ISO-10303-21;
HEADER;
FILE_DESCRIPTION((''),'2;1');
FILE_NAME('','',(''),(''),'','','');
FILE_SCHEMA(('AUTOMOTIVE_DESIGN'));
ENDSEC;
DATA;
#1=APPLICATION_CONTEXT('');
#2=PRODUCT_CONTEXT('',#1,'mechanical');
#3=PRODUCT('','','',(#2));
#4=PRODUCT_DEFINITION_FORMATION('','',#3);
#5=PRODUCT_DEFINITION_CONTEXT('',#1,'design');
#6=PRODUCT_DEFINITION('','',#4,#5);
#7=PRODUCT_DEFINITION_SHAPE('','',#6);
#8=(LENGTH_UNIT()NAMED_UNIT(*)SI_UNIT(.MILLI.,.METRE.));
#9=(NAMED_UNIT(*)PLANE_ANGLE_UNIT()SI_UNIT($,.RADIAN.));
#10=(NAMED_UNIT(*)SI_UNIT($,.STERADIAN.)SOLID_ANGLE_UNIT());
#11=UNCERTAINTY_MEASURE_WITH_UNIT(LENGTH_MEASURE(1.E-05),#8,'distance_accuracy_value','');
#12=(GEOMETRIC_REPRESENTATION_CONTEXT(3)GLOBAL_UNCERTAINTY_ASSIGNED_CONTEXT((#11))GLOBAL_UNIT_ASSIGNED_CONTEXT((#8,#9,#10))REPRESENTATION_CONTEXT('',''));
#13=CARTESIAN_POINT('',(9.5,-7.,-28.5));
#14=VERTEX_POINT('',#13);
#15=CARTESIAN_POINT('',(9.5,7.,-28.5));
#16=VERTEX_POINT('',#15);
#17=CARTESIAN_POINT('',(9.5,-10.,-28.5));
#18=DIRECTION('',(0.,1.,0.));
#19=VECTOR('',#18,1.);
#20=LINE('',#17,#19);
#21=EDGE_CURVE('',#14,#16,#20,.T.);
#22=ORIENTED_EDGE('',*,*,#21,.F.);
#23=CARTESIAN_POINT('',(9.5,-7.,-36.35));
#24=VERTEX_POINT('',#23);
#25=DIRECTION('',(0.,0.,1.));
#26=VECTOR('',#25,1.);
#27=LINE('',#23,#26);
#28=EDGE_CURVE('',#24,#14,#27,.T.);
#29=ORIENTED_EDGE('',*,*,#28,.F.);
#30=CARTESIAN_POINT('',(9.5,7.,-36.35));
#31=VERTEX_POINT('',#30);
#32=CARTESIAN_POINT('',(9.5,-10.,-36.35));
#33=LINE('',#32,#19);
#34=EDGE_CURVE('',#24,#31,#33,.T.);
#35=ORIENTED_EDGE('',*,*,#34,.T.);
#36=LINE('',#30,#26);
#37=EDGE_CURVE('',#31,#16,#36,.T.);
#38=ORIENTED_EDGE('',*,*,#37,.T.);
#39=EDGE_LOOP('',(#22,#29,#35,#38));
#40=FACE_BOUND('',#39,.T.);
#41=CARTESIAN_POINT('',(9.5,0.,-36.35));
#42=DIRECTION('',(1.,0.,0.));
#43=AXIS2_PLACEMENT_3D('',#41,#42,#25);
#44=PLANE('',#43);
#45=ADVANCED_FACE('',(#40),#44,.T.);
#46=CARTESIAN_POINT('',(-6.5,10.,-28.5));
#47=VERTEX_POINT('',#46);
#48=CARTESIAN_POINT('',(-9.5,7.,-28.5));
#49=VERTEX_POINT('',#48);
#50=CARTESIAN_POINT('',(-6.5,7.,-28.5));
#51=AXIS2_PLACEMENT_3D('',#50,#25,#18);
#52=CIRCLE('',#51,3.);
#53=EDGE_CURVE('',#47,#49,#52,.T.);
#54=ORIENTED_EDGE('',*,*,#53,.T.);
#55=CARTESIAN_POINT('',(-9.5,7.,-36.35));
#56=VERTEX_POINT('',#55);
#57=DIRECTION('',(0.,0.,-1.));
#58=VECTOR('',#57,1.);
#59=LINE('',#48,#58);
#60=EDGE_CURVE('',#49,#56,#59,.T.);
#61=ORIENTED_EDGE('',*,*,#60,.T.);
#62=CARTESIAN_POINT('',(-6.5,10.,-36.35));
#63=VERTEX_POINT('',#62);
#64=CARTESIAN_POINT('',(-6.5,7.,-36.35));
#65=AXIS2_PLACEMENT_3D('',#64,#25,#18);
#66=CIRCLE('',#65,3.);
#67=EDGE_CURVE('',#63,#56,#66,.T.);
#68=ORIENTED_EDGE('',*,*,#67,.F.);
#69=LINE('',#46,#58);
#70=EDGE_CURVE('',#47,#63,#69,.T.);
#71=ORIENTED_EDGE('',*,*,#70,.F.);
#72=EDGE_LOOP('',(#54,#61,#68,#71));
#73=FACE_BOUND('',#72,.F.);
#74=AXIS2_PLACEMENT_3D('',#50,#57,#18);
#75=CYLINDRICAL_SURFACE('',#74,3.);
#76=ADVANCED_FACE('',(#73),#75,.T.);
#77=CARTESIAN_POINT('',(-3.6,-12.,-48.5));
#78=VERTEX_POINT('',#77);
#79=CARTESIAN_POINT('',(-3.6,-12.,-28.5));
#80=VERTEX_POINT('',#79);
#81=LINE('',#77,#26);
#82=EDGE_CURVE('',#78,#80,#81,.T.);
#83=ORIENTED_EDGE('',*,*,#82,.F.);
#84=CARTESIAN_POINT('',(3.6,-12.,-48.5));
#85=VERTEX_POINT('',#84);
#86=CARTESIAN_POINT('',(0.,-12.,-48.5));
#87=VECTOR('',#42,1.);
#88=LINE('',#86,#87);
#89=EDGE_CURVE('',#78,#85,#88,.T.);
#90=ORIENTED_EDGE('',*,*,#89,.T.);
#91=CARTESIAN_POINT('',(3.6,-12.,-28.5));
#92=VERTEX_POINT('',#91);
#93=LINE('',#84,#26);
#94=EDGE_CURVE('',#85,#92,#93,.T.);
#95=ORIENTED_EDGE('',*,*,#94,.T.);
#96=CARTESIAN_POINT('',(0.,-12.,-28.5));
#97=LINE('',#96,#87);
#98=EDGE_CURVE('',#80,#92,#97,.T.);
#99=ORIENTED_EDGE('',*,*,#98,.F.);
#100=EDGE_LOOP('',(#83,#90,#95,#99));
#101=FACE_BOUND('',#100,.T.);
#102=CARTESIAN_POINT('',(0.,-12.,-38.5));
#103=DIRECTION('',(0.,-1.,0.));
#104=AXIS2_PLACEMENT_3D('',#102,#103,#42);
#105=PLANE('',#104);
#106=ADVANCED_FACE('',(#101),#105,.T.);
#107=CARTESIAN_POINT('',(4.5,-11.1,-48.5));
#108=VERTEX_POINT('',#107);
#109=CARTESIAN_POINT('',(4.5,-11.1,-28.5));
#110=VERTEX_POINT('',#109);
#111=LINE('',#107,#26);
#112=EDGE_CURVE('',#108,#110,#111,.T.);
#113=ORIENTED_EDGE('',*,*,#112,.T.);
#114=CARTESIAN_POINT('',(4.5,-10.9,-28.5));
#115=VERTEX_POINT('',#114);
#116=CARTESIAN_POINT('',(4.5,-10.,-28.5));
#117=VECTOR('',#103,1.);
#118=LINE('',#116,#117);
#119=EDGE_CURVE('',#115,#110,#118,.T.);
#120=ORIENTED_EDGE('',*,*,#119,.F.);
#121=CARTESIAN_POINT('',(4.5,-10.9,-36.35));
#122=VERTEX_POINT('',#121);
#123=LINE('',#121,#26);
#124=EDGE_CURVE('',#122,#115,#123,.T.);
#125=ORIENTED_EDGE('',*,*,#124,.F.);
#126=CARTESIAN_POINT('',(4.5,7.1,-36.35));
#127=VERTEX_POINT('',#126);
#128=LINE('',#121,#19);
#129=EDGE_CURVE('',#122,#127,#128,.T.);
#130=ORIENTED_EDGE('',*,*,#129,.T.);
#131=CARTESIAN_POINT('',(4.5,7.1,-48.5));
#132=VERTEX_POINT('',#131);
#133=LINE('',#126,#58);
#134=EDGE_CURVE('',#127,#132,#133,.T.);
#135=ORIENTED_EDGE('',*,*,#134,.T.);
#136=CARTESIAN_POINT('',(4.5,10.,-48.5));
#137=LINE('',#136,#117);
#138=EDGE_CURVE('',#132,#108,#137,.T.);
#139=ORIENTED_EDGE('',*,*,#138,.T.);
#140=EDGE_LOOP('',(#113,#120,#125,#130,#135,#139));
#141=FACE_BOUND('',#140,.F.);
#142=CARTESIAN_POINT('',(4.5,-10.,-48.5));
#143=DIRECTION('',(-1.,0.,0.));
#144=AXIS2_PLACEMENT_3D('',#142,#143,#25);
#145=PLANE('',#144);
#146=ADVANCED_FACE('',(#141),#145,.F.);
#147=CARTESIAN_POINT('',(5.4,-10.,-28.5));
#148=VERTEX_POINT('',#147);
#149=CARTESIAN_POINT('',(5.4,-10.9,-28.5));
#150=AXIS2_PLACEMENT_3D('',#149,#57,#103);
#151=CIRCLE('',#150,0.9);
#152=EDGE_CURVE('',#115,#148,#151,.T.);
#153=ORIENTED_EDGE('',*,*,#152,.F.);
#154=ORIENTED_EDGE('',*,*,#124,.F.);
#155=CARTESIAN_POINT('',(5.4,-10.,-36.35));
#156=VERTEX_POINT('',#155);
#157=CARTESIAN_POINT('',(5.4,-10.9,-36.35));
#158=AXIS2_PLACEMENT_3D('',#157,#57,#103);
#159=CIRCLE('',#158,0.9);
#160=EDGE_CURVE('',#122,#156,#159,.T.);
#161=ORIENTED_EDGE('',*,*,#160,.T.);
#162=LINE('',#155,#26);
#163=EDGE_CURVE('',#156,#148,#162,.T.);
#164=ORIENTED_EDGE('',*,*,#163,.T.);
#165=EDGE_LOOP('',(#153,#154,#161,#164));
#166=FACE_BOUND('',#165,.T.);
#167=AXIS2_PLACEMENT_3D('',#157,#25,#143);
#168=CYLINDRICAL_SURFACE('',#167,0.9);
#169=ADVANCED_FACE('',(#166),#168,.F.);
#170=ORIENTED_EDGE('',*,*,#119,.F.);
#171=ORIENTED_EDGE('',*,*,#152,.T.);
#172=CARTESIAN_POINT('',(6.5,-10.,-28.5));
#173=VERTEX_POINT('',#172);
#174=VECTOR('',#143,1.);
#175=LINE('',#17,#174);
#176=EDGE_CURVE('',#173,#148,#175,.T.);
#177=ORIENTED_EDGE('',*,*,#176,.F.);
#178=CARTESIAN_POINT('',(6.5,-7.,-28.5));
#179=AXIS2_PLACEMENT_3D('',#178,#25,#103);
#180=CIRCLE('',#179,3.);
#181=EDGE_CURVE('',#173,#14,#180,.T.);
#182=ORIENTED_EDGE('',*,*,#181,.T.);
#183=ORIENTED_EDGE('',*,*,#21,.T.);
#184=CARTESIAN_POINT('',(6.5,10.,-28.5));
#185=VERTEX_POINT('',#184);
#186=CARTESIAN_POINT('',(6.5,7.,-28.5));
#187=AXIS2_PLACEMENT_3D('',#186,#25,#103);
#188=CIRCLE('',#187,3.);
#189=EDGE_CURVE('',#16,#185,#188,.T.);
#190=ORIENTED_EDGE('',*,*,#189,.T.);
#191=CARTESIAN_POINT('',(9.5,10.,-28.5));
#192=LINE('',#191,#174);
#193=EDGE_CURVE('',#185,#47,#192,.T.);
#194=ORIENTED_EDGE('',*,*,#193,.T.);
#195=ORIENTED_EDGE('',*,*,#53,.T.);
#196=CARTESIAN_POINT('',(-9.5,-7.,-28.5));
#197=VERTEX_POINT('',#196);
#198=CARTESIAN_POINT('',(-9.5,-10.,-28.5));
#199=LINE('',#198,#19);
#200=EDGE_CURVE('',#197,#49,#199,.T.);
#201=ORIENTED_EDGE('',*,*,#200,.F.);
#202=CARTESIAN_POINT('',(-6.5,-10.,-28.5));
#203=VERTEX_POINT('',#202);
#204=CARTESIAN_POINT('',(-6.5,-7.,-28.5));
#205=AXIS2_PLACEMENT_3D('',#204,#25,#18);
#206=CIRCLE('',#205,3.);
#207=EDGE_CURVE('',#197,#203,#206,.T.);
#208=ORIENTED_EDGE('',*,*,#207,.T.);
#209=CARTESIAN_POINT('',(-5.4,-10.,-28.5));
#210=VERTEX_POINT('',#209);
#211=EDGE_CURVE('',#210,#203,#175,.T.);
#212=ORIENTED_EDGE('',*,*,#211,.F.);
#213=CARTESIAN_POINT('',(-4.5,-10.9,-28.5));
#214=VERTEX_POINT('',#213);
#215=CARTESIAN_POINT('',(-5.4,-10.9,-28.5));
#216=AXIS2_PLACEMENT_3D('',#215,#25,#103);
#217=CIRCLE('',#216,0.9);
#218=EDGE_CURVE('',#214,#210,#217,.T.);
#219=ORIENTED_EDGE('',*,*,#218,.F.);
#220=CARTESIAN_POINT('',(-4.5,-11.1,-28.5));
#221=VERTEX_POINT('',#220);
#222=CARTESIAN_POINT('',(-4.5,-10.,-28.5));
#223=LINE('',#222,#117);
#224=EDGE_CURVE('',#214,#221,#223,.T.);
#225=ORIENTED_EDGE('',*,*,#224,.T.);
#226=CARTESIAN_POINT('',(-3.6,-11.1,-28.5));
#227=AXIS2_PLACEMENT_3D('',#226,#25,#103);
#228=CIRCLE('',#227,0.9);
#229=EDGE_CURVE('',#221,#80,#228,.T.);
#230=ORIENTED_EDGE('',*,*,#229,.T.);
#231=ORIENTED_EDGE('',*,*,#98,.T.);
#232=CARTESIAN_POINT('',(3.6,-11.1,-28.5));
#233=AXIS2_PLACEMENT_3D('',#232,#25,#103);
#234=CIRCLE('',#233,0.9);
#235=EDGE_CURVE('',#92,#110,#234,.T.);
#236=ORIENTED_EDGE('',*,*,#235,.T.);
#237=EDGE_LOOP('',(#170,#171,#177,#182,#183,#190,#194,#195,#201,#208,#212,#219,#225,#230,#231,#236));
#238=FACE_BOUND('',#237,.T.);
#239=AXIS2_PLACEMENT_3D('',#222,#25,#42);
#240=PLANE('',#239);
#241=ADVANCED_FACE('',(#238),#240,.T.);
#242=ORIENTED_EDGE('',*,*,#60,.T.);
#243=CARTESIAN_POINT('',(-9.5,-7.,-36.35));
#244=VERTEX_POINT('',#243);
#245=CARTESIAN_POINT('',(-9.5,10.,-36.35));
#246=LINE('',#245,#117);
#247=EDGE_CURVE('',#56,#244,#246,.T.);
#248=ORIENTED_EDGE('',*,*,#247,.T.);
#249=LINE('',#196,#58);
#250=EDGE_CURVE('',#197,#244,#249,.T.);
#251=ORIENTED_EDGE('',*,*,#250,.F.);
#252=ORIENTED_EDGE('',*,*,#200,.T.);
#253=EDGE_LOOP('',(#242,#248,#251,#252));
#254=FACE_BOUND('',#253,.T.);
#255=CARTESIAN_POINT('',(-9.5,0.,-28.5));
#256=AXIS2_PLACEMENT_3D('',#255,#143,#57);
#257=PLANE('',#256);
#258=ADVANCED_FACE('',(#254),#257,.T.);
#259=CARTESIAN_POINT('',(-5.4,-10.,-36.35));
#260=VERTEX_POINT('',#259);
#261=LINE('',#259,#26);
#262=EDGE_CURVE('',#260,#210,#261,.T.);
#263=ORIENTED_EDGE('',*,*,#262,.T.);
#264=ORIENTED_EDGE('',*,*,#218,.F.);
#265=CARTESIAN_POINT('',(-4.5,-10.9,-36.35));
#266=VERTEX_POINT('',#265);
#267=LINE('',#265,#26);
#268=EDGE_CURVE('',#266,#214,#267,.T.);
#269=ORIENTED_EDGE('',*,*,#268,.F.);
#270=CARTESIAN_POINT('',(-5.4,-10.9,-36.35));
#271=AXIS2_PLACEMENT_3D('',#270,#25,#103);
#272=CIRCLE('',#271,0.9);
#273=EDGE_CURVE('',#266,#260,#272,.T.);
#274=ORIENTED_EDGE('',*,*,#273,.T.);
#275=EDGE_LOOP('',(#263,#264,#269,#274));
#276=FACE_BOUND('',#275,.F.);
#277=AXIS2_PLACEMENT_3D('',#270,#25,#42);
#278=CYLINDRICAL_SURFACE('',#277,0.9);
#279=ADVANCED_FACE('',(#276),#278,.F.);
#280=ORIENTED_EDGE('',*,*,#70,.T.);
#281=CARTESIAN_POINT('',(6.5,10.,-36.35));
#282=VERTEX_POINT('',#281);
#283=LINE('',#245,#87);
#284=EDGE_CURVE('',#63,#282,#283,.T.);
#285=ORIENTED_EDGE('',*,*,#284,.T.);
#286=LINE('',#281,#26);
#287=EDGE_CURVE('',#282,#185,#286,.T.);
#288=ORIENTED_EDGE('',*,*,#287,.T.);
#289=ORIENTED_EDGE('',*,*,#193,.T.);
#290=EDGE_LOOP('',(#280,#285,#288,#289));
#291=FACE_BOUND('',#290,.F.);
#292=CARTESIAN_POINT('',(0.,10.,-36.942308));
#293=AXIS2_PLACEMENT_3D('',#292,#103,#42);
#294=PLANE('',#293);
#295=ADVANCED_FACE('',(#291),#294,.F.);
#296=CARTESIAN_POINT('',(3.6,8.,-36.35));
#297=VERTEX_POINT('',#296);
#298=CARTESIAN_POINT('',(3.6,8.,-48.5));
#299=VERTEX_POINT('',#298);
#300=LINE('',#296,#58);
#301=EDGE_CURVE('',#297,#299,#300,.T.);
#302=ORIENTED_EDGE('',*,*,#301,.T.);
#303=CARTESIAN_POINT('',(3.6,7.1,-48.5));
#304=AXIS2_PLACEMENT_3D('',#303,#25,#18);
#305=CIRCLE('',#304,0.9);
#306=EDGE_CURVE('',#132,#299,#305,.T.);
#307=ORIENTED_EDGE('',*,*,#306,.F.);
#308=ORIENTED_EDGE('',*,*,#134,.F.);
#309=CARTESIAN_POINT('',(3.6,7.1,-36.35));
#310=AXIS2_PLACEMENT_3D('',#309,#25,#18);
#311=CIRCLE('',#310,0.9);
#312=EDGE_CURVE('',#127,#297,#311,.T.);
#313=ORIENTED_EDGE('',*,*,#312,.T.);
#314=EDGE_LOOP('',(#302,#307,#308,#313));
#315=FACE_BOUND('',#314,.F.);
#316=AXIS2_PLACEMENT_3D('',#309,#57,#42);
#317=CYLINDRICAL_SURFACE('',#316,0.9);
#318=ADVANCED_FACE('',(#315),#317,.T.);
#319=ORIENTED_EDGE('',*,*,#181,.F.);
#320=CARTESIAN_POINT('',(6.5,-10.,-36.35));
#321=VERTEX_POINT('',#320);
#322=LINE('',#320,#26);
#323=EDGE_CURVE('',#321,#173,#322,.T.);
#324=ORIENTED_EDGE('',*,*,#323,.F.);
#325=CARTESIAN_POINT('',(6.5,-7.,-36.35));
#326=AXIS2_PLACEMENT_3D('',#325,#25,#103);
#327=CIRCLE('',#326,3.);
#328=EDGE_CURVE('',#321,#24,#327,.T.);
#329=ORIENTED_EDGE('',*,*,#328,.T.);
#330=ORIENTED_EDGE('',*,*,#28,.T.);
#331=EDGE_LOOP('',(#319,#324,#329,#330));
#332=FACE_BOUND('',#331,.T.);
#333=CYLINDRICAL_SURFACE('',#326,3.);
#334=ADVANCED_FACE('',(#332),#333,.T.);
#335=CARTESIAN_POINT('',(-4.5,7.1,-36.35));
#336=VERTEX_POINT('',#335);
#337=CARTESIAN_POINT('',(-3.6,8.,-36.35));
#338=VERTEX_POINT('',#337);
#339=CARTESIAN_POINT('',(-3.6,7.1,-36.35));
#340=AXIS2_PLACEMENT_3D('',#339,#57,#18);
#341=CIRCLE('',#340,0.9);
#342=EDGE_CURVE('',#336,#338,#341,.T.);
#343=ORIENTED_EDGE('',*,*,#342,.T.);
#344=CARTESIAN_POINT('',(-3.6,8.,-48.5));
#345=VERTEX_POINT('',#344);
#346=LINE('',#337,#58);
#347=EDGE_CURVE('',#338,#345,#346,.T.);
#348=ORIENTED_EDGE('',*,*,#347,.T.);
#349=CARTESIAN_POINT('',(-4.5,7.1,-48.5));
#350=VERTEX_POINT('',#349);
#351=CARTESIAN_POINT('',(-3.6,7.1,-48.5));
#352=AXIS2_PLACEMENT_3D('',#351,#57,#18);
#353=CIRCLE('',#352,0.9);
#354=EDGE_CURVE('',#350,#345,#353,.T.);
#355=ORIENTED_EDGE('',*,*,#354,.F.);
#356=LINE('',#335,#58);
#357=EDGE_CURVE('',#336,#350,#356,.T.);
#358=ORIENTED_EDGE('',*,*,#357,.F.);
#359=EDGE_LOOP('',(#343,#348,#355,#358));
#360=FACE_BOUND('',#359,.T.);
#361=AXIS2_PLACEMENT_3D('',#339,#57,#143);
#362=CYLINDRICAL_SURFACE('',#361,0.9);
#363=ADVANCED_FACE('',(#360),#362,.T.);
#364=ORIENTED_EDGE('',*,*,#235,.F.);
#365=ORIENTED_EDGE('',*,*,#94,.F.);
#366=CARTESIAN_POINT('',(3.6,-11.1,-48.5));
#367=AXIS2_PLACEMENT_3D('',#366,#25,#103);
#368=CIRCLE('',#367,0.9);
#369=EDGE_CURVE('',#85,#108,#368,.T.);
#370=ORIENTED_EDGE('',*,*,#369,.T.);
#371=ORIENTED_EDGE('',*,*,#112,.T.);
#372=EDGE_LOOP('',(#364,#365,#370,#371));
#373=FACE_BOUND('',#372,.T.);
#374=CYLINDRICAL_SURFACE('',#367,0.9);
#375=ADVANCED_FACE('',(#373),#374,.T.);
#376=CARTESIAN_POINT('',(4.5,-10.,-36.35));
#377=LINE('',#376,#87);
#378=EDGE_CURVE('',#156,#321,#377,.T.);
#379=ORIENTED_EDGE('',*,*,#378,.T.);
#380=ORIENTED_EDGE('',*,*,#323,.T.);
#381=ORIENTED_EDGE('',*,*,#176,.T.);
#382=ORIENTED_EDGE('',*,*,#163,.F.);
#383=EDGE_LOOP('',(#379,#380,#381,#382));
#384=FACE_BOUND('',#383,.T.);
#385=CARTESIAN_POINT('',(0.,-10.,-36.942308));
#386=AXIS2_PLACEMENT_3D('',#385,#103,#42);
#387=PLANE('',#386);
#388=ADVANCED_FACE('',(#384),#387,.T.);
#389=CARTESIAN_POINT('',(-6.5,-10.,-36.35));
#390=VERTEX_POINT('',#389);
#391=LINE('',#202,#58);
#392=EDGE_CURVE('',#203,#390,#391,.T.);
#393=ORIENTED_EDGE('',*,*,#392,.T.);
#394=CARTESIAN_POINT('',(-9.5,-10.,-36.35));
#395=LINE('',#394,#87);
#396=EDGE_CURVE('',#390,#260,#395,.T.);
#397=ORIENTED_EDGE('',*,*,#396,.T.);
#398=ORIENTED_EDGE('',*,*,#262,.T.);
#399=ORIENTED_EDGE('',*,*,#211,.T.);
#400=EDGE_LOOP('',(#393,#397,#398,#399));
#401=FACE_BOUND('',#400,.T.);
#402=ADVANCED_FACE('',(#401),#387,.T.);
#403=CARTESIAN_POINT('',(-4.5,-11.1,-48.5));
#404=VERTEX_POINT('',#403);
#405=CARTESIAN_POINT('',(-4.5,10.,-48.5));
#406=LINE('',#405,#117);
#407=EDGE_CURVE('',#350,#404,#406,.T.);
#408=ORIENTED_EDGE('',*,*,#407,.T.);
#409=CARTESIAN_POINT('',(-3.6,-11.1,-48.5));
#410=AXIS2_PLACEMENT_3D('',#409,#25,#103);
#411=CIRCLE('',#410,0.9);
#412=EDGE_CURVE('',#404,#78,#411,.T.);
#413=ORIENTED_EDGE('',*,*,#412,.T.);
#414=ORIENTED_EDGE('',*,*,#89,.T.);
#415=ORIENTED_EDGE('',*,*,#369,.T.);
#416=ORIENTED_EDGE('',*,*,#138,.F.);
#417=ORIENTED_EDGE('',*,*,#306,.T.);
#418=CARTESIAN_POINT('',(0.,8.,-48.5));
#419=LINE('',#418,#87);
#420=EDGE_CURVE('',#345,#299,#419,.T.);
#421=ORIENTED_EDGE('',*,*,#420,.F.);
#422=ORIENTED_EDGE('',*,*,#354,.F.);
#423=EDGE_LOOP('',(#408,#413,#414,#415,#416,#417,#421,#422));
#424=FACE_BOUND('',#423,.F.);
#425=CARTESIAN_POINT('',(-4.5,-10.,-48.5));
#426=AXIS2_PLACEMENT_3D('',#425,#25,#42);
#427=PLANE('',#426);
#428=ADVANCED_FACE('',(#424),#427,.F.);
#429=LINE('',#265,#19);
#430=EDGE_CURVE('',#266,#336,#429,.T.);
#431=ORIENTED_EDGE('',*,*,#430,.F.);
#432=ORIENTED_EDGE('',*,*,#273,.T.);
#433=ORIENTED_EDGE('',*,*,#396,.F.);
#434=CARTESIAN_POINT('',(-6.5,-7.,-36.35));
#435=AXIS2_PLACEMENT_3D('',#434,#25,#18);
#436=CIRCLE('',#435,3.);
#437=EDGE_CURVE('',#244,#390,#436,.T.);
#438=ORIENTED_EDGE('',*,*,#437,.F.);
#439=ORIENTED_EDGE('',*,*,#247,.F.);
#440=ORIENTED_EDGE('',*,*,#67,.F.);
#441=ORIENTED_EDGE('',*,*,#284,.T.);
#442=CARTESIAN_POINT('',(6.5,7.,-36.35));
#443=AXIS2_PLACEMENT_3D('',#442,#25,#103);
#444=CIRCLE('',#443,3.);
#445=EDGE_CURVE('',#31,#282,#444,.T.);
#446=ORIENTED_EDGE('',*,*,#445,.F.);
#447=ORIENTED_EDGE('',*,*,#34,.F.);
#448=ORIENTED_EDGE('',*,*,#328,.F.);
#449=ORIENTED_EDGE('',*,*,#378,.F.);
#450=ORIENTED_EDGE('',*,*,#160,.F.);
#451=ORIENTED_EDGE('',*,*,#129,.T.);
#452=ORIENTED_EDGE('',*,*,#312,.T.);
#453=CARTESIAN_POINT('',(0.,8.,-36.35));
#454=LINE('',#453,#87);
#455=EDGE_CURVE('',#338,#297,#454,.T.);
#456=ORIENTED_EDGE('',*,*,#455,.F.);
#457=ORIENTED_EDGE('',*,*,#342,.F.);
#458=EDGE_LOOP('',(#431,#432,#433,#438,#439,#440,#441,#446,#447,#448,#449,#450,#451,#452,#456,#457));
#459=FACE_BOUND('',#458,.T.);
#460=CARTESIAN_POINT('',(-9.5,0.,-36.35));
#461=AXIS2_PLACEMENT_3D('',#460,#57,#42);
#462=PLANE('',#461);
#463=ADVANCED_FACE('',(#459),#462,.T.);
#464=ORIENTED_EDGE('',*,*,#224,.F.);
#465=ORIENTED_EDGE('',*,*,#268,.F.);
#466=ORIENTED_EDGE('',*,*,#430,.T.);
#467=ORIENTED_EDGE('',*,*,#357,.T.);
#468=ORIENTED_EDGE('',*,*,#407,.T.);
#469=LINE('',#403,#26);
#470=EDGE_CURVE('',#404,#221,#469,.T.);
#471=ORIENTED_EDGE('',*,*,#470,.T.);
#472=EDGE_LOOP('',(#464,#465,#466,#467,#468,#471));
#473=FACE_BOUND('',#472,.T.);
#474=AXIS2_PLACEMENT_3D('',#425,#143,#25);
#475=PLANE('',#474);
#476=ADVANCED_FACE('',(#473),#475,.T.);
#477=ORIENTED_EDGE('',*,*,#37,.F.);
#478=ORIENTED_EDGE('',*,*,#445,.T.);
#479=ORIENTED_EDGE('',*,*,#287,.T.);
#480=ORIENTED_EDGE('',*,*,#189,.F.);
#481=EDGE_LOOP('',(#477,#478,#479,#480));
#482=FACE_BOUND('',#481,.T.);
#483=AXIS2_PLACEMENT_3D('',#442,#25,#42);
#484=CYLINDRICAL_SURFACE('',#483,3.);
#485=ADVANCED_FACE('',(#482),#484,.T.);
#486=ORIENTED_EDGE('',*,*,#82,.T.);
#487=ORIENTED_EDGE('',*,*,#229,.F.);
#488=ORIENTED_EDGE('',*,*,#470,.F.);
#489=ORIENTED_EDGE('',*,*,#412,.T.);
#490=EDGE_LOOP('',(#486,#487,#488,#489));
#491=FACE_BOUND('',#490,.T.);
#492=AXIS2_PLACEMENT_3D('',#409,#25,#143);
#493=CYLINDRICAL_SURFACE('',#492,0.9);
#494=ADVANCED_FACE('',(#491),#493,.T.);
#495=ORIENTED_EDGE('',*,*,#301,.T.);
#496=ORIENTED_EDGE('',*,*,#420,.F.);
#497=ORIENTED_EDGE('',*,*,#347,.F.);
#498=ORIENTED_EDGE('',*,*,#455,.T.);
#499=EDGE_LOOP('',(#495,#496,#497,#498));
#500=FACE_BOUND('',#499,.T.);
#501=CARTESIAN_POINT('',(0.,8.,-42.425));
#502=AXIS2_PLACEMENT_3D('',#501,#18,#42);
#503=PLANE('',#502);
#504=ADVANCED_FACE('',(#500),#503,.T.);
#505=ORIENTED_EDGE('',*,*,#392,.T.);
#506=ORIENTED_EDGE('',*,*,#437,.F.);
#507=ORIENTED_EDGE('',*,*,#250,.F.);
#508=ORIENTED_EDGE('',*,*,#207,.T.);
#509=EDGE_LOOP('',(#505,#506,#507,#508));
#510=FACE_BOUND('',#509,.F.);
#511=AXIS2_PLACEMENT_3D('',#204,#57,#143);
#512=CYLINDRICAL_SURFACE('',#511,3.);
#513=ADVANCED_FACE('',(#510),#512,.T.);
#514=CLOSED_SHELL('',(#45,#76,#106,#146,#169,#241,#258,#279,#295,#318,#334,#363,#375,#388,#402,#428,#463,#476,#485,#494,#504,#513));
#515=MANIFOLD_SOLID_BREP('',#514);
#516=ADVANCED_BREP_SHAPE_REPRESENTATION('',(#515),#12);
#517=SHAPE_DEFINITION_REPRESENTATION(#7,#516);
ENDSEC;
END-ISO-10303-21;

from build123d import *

# Parameters (mm, degrees)
PAD001_DEPTH = 10
SKETCH003_W  = 9
SKETCH003_H  = 20
PAD002_DEPTH = 2
SKETCH004_W  = 9
SKETCH004_H  = 12.15
POCKET_DEPTH = 2
FILLET_R     = 0.9
FILLET001_R  = 3


with BuildPart() as part:
    # Sketch002 → Pad001 (new body, symmetric)
    with BuildSketch(Plane.XZ):
        Polygon((-9.5, 0), (-9.5, -7.85), (-4.5, -7.85), (-4.5, -20), (4.5, -20), (4.5, -7.85), (9.5, -7.85), (9.5, 0), align=None)
    extrude(amount=PAD001_DEPTH, both=True)

    # Sketch003 (on Face10 of Pad001) → Pad002 (join)
    with BuildSketch(Plane.XZ.offset(10)):
        with Locations((0, -10)):
            Rectangle(SKETCH003_W, SKETCH003_H)
    extrude(amount=PAD002_DEPTH)

    # Sketch004 (on Face3 of Pad002) → Pocket (cut)
    with BuildSketch(Plane(origin=(0, 10, 0), x_dir=(1, 0, 0), z_dir=(0, 1, 0))):
        with Locations((0, 13.925)):
            Rectangle(SKETCH004_W, SKETCH004_H)
    extrude(amount=-POCKET_DEPTH, mode=Mode.SUBTRACT)

    # Fillet
    fillet_edges = [part.edges().sort_by_distance(p)[0] for p in [
        (-4.5, -12, -10),
        (4.5, -12, -10),
        (4.5, 8, -13.925),
        (-4.5, 8, -13.925),
        (4.5, -10, -3.925),
        (-4.5, -10, -3.925),
    ]]
    fillet(fillet_edges, radius=FILLET_R)

    # Fillet001
    fillet001_edges = [part.edges().sort_by_distance(p)[0] for p in [
        (-9.5, -10, -3.925),
        (-9.5, 10, -3.925),
        (9.5, -10, -3.925),
        (9.5, 10, -3.925),
    ]]
    fillet(fillet001_edges, radius=FILLET001_R)


with BuildPart() as part_1:
    # Body001 placement: moved
    add(part.part.moved(Location((0, 0, -28.5))))


solid = part_1.part
